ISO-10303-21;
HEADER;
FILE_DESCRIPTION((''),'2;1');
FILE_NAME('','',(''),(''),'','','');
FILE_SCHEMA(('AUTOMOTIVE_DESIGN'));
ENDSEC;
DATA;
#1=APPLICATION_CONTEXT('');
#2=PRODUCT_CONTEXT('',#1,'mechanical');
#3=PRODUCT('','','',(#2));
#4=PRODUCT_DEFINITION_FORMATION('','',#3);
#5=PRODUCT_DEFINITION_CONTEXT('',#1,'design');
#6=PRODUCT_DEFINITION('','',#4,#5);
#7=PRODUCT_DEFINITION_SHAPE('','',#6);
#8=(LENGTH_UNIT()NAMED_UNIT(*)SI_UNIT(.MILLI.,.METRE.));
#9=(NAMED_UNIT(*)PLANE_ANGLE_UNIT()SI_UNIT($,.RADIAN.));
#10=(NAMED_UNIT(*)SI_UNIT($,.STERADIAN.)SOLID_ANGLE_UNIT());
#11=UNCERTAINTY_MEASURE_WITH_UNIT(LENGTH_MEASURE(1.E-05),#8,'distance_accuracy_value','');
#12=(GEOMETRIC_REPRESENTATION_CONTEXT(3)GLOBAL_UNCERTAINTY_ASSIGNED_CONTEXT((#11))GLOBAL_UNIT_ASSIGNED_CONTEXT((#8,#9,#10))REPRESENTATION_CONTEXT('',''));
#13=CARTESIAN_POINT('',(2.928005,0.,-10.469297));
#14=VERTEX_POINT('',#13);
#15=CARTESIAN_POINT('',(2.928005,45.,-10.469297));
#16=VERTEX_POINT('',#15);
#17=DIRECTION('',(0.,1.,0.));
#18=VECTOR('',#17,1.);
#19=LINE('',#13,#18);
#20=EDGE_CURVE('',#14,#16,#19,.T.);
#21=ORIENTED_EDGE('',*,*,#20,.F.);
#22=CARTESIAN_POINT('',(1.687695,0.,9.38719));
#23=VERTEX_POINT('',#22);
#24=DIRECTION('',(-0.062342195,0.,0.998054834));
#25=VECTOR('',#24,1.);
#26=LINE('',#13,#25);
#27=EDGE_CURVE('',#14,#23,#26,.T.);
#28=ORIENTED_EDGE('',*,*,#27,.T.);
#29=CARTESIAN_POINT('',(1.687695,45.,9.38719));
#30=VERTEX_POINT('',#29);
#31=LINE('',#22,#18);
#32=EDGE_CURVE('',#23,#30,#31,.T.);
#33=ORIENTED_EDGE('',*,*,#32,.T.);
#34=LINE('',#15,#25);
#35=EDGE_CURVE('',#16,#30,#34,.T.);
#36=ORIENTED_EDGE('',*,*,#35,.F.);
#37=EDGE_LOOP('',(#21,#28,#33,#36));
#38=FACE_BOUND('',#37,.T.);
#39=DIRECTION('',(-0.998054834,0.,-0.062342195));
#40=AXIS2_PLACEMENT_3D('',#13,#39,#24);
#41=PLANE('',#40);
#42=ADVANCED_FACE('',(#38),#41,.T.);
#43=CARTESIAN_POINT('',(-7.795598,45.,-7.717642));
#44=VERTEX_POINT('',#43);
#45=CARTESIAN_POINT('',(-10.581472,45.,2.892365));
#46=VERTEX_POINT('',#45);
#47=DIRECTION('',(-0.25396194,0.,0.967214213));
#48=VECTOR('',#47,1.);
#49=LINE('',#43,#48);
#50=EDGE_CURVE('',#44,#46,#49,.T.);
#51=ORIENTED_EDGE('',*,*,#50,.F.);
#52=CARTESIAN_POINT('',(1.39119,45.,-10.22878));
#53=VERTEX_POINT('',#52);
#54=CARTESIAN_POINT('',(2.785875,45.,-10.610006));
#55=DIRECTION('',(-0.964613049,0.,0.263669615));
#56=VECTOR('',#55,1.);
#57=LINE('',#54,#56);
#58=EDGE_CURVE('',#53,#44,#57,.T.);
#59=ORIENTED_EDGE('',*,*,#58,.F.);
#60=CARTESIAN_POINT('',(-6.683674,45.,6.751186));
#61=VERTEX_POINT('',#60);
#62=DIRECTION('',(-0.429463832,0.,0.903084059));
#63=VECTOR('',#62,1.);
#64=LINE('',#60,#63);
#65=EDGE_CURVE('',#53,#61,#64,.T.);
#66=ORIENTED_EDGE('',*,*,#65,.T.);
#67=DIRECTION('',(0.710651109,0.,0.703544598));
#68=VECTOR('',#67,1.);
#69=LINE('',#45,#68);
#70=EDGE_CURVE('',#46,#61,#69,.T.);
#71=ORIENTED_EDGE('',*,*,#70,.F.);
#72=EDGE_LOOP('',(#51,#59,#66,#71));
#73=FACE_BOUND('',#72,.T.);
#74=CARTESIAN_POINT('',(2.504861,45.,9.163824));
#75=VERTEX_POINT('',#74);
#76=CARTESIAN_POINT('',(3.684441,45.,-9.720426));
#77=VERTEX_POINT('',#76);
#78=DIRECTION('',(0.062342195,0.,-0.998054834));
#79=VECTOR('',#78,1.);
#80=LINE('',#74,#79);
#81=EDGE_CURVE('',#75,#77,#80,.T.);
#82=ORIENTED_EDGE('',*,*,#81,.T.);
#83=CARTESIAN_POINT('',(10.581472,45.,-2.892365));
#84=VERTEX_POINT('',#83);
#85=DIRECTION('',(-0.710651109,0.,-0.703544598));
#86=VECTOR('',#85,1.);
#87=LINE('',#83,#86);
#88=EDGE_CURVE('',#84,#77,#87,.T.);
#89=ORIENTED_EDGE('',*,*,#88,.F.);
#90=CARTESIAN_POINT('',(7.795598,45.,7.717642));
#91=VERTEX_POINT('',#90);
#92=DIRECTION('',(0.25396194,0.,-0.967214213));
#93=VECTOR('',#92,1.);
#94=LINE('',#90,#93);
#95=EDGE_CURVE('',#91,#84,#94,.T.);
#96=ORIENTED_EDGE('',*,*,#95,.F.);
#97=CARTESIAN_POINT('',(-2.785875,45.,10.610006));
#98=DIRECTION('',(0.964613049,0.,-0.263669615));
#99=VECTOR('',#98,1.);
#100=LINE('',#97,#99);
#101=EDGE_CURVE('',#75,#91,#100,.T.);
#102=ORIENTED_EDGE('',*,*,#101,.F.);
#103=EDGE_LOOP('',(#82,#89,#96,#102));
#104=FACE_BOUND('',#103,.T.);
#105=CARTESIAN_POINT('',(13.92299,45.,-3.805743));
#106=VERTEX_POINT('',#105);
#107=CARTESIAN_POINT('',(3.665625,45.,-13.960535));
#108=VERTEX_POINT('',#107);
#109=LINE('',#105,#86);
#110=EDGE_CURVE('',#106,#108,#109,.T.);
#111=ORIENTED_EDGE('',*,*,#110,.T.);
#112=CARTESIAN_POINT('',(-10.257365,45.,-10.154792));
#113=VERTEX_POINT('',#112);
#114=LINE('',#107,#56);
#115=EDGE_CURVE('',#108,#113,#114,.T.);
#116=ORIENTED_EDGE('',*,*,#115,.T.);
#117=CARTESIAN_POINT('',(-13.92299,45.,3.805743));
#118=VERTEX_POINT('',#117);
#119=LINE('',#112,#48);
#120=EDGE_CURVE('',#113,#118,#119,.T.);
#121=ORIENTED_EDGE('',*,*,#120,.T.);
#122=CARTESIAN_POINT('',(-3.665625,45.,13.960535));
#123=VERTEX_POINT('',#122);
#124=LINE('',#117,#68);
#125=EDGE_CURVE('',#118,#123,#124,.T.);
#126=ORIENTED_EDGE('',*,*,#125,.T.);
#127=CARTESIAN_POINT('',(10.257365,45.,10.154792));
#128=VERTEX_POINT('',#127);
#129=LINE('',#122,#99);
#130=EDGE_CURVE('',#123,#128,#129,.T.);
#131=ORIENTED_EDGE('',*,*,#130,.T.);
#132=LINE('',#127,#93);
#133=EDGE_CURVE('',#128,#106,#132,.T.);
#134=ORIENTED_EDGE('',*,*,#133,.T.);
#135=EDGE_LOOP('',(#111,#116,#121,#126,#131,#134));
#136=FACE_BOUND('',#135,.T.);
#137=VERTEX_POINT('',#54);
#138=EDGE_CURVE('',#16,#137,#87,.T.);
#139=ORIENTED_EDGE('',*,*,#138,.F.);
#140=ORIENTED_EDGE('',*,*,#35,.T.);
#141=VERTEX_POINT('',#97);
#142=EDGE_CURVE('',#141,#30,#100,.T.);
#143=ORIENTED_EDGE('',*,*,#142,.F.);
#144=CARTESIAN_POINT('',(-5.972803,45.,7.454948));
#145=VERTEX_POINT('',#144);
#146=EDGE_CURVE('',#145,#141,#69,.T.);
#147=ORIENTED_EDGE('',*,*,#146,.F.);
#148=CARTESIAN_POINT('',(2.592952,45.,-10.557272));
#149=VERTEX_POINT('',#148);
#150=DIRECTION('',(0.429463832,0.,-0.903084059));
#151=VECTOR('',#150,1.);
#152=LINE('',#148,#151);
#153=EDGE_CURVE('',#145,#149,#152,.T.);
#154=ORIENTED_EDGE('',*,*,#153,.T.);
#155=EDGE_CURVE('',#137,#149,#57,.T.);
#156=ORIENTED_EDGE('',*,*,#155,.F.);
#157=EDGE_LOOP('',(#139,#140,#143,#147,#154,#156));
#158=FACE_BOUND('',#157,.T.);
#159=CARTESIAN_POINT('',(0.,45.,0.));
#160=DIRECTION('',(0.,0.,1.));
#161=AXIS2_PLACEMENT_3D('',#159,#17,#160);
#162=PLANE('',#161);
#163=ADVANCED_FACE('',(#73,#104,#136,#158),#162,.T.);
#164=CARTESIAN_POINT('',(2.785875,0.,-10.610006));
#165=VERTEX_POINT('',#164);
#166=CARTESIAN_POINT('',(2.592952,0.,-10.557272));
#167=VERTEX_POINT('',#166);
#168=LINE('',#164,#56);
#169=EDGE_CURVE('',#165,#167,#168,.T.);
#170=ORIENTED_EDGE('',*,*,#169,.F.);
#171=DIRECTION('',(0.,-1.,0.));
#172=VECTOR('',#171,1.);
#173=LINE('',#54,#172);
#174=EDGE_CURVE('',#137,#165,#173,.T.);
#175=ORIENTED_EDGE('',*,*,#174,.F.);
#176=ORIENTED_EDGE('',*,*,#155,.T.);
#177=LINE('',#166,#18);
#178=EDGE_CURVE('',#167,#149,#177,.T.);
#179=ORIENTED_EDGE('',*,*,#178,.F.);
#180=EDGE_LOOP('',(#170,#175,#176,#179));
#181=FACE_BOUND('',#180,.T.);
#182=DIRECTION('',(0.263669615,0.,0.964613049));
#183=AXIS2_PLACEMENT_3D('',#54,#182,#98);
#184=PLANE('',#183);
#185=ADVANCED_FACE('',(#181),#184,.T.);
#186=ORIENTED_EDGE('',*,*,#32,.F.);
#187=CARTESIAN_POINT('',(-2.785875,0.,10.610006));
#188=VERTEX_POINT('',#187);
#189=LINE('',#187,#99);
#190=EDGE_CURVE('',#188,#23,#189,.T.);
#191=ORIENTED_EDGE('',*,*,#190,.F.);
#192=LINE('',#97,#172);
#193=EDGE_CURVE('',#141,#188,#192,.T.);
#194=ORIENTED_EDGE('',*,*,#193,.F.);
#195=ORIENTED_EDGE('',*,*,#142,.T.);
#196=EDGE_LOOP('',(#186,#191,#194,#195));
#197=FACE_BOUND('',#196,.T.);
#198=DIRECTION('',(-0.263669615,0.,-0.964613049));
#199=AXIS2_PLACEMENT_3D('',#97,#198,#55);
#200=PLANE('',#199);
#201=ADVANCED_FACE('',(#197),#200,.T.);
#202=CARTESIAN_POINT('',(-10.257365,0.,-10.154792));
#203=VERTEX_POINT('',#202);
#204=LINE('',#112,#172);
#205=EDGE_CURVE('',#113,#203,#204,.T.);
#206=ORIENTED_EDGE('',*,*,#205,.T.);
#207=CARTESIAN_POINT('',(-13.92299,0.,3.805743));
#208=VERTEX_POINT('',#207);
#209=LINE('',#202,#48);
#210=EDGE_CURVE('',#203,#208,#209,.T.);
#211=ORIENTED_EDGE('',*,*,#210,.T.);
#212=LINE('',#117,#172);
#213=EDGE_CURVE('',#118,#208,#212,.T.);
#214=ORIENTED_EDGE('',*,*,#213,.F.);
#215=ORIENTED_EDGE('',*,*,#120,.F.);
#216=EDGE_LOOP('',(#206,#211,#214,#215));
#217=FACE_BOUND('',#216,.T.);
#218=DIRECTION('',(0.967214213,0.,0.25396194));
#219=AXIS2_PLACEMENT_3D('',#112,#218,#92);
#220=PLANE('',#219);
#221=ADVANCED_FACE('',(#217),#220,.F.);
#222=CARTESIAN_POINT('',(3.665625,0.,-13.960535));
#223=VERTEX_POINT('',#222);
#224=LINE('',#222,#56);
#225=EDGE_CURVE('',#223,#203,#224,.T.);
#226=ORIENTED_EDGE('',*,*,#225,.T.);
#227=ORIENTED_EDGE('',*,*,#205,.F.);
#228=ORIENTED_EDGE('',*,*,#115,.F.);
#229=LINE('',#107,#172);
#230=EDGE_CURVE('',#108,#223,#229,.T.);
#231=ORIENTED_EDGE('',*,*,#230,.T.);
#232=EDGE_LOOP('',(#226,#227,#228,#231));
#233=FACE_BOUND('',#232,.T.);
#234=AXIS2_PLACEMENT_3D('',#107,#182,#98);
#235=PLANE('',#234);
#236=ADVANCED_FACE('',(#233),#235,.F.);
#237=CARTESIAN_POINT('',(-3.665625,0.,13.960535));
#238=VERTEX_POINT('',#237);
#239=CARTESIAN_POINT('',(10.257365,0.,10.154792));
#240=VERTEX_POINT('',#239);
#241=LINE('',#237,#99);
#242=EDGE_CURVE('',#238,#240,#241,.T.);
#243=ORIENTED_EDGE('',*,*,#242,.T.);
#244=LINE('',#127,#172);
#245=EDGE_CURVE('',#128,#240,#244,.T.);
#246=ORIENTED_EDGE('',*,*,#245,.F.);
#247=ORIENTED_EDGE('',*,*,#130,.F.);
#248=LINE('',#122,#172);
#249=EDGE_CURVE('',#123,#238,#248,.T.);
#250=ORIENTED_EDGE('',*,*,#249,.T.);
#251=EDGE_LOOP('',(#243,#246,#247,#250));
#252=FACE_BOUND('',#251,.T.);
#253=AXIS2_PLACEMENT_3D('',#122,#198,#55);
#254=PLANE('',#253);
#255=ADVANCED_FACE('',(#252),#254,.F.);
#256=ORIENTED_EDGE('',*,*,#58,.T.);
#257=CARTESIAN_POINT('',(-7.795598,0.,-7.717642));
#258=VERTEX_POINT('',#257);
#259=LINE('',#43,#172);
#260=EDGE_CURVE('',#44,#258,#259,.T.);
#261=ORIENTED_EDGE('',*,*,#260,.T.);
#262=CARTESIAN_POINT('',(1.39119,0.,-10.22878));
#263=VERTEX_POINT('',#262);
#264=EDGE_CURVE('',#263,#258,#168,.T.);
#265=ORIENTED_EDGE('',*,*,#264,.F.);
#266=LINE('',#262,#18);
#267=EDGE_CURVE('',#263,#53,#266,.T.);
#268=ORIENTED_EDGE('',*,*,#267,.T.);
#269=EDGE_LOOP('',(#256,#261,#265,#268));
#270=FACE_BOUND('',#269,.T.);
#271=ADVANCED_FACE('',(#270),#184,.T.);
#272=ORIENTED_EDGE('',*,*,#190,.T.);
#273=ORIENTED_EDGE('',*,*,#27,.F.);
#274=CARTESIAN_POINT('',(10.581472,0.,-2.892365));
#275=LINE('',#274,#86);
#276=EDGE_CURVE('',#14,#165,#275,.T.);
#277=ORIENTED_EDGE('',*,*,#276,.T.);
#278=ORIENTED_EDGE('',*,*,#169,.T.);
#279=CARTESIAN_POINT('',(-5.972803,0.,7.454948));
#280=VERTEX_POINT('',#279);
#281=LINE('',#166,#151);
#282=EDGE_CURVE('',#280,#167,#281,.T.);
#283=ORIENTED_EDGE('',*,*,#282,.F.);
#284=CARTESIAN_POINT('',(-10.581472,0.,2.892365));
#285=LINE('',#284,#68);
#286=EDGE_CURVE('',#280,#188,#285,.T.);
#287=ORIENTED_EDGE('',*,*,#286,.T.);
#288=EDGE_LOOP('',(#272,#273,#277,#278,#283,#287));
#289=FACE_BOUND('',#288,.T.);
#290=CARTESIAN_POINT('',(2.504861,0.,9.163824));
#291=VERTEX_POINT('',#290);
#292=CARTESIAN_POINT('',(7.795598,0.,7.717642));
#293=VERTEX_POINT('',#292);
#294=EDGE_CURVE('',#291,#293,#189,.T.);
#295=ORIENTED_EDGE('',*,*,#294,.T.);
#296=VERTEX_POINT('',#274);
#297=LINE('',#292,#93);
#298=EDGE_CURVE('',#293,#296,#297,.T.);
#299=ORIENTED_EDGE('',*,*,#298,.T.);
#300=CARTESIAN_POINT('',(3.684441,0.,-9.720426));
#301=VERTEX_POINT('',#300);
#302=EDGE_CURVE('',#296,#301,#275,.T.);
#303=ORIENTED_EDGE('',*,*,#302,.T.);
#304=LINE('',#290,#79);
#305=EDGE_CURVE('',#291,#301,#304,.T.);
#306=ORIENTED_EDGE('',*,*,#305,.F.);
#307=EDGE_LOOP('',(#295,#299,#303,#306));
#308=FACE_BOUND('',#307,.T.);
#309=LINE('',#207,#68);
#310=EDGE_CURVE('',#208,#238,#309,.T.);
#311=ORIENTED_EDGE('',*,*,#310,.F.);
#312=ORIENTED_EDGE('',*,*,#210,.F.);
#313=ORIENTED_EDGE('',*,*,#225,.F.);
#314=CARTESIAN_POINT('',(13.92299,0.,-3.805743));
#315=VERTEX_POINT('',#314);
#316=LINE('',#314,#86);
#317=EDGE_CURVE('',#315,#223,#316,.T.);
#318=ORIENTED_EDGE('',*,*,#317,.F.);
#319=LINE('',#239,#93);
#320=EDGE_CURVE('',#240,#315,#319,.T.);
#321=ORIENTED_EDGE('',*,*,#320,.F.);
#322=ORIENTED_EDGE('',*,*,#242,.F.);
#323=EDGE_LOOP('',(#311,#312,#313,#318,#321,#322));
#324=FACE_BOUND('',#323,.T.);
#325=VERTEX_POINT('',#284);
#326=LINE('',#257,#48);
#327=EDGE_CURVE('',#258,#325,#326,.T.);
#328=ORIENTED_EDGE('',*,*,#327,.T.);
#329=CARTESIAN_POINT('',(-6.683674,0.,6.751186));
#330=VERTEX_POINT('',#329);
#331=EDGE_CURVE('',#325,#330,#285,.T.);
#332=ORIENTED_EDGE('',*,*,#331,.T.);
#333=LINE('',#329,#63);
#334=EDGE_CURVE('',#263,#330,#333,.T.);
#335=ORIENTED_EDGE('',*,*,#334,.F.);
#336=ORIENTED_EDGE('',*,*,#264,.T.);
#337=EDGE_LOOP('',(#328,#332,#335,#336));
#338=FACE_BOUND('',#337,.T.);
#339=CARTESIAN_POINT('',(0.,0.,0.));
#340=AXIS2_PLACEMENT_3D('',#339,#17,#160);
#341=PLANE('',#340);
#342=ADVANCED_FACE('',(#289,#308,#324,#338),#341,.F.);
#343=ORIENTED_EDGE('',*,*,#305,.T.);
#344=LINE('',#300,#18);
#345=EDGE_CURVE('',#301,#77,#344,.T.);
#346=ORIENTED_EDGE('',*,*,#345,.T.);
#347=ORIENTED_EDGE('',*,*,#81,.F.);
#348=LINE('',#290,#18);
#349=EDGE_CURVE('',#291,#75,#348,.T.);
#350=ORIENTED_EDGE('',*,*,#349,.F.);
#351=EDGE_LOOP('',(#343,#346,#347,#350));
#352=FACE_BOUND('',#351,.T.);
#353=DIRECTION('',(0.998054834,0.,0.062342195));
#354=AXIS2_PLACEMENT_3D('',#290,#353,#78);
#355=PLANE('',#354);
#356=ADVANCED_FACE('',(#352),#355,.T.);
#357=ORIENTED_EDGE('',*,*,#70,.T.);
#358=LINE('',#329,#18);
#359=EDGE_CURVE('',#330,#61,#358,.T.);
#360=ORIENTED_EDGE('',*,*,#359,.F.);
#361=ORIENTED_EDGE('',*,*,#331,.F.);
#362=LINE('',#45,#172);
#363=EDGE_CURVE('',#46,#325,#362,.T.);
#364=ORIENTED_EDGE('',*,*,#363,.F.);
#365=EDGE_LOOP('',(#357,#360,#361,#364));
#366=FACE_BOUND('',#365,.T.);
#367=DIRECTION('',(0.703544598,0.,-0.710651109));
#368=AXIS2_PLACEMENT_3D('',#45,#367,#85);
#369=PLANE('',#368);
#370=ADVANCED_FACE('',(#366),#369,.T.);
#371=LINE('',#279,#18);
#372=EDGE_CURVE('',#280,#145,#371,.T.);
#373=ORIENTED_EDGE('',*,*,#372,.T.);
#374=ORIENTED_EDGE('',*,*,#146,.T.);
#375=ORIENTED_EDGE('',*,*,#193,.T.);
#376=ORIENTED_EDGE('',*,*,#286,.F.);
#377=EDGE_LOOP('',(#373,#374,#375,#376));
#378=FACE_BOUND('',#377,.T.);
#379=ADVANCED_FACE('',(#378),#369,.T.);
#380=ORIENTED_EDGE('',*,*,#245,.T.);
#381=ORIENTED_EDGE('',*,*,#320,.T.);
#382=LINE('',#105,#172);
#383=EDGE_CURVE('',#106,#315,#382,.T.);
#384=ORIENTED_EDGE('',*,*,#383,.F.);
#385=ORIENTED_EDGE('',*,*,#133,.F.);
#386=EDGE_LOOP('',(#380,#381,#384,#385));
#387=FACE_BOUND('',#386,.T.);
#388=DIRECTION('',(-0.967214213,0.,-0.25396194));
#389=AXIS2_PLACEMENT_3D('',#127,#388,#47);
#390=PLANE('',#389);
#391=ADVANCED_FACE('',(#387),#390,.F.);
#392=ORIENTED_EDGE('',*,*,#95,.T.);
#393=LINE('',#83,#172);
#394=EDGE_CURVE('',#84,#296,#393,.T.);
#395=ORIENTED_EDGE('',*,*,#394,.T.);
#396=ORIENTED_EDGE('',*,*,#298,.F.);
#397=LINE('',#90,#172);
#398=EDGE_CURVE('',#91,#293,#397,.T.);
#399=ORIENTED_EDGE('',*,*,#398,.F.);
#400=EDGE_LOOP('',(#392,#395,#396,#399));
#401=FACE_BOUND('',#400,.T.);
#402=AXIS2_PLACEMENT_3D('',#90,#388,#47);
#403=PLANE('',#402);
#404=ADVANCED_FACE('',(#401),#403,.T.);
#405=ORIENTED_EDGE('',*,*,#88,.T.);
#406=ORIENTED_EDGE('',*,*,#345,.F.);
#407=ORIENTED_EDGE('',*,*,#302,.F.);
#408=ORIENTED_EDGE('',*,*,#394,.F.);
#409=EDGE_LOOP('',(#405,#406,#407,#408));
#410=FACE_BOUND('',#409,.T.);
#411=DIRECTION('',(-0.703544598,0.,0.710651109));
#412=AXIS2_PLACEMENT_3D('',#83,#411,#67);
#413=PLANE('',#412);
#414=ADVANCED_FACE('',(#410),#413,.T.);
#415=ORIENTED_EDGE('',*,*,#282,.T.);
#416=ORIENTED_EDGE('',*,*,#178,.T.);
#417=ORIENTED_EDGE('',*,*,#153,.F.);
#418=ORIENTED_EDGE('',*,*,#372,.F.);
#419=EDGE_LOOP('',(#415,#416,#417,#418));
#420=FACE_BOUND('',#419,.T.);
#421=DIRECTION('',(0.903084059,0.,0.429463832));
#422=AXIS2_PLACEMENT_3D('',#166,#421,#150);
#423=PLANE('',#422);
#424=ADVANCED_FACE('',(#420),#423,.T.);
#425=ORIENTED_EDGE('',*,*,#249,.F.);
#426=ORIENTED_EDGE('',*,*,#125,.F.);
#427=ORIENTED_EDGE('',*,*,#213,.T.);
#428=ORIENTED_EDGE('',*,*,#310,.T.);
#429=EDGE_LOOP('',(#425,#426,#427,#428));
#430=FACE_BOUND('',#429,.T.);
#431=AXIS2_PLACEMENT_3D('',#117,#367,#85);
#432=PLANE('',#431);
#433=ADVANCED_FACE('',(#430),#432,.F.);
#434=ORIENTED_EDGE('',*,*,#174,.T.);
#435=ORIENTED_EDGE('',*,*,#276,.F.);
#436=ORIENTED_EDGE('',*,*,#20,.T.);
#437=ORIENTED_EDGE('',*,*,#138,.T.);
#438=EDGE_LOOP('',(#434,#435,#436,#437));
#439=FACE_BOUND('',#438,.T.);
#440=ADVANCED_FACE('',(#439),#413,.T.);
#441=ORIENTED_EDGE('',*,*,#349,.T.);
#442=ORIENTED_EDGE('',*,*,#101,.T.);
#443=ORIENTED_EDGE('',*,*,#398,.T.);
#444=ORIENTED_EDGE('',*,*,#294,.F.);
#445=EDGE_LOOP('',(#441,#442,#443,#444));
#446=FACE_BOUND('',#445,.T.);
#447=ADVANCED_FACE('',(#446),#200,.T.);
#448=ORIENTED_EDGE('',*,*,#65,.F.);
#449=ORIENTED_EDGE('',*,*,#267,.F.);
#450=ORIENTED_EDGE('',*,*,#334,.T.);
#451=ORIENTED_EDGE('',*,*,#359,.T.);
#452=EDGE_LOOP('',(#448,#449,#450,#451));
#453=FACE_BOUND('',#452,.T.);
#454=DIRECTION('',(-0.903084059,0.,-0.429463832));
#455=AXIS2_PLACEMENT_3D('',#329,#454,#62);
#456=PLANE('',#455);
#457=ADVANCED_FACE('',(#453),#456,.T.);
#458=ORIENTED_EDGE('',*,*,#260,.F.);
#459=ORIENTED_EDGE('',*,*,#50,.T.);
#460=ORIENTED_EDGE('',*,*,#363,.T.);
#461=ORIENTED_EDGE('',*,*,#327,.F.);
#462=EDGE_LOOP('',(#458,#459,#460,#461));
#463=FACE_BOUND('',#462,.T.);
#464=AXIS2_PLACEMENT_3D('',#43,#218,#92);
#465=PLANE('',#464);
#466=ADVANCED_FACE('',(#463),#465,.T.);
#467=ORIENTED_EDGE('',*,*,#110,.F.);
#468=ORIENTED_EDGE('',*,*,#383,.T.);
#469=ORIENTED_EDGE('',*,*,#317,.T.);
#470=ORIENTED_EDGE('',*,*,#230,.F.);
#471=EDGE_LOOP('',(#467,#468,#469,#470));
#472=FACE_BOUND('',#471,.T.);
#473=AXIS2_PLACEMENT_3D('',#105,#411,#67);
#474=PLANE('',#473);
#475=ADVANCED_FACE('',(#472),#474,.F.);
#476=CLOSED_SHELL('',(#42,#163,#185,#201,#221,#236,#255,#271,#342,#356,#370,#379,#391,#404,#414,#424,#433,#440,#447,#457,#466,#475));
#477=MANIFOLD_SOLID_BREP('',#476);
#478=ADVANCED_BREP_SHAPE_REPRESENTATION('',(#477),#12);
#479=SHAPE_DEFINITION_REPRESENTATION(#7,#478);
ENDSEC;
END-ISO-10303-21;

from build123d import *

# Parameters (mm, degrees)
BOSS_EXTRUDE1_DEPTH = 45
BOSS_EXTRUDE2_DEPTH = 45


with BuildPart() as part:
    # Sketch1 → Boss-Extrude1 (new body)
    with BuildSketch(Plane(origin=(0, 0, 0), x_dir=(1, 0, 0), z_dir=(0, 1, 0))):
        Polygon((10.257365227, -10.154791575), (13.922990088, 3.805743075), (3.66562486, 13.96053465), (-10.257365227, 10.154791575), (-13.922990088, -3.805743075), (-3.66562486, -13.96053465), align=None)
        Polygon((-2.785874894, -10.610006334), (7.795597573, -7.717641597), (10.581472467, 2.892364737), (2.785874894, 10.610006334), (-7.795597573, 7.717641597), (-10.581472467, -2.892364737), align=None, mode=Mode.SUBTRACT)
    extrude(amount=BOSS_EXTRUDE1_DEPTH)

    # Sketch2 → Boss-Extrude2 (add)
    with BuildSketch(Plane(origin=(0, 45, 0), x_dir=(1, 0, 0), z_dir=(0, 1, 0))):
        Polygon((-6.68367368, -6.751185536), (1.391190433, 10.228779981), (2.592952284, 10.557272411), (-5.972802955, -7.454947554), align=None)
        Polygon((2.504861339, -9.163823965), (3.684441387, 9.720425506), (2.928005116, 10.469297414), (1.68769549, -9.387190014), align=None)
    extrude(amount=-BOSS_EXTRUDE2_DEPTH)


solid = part.part
